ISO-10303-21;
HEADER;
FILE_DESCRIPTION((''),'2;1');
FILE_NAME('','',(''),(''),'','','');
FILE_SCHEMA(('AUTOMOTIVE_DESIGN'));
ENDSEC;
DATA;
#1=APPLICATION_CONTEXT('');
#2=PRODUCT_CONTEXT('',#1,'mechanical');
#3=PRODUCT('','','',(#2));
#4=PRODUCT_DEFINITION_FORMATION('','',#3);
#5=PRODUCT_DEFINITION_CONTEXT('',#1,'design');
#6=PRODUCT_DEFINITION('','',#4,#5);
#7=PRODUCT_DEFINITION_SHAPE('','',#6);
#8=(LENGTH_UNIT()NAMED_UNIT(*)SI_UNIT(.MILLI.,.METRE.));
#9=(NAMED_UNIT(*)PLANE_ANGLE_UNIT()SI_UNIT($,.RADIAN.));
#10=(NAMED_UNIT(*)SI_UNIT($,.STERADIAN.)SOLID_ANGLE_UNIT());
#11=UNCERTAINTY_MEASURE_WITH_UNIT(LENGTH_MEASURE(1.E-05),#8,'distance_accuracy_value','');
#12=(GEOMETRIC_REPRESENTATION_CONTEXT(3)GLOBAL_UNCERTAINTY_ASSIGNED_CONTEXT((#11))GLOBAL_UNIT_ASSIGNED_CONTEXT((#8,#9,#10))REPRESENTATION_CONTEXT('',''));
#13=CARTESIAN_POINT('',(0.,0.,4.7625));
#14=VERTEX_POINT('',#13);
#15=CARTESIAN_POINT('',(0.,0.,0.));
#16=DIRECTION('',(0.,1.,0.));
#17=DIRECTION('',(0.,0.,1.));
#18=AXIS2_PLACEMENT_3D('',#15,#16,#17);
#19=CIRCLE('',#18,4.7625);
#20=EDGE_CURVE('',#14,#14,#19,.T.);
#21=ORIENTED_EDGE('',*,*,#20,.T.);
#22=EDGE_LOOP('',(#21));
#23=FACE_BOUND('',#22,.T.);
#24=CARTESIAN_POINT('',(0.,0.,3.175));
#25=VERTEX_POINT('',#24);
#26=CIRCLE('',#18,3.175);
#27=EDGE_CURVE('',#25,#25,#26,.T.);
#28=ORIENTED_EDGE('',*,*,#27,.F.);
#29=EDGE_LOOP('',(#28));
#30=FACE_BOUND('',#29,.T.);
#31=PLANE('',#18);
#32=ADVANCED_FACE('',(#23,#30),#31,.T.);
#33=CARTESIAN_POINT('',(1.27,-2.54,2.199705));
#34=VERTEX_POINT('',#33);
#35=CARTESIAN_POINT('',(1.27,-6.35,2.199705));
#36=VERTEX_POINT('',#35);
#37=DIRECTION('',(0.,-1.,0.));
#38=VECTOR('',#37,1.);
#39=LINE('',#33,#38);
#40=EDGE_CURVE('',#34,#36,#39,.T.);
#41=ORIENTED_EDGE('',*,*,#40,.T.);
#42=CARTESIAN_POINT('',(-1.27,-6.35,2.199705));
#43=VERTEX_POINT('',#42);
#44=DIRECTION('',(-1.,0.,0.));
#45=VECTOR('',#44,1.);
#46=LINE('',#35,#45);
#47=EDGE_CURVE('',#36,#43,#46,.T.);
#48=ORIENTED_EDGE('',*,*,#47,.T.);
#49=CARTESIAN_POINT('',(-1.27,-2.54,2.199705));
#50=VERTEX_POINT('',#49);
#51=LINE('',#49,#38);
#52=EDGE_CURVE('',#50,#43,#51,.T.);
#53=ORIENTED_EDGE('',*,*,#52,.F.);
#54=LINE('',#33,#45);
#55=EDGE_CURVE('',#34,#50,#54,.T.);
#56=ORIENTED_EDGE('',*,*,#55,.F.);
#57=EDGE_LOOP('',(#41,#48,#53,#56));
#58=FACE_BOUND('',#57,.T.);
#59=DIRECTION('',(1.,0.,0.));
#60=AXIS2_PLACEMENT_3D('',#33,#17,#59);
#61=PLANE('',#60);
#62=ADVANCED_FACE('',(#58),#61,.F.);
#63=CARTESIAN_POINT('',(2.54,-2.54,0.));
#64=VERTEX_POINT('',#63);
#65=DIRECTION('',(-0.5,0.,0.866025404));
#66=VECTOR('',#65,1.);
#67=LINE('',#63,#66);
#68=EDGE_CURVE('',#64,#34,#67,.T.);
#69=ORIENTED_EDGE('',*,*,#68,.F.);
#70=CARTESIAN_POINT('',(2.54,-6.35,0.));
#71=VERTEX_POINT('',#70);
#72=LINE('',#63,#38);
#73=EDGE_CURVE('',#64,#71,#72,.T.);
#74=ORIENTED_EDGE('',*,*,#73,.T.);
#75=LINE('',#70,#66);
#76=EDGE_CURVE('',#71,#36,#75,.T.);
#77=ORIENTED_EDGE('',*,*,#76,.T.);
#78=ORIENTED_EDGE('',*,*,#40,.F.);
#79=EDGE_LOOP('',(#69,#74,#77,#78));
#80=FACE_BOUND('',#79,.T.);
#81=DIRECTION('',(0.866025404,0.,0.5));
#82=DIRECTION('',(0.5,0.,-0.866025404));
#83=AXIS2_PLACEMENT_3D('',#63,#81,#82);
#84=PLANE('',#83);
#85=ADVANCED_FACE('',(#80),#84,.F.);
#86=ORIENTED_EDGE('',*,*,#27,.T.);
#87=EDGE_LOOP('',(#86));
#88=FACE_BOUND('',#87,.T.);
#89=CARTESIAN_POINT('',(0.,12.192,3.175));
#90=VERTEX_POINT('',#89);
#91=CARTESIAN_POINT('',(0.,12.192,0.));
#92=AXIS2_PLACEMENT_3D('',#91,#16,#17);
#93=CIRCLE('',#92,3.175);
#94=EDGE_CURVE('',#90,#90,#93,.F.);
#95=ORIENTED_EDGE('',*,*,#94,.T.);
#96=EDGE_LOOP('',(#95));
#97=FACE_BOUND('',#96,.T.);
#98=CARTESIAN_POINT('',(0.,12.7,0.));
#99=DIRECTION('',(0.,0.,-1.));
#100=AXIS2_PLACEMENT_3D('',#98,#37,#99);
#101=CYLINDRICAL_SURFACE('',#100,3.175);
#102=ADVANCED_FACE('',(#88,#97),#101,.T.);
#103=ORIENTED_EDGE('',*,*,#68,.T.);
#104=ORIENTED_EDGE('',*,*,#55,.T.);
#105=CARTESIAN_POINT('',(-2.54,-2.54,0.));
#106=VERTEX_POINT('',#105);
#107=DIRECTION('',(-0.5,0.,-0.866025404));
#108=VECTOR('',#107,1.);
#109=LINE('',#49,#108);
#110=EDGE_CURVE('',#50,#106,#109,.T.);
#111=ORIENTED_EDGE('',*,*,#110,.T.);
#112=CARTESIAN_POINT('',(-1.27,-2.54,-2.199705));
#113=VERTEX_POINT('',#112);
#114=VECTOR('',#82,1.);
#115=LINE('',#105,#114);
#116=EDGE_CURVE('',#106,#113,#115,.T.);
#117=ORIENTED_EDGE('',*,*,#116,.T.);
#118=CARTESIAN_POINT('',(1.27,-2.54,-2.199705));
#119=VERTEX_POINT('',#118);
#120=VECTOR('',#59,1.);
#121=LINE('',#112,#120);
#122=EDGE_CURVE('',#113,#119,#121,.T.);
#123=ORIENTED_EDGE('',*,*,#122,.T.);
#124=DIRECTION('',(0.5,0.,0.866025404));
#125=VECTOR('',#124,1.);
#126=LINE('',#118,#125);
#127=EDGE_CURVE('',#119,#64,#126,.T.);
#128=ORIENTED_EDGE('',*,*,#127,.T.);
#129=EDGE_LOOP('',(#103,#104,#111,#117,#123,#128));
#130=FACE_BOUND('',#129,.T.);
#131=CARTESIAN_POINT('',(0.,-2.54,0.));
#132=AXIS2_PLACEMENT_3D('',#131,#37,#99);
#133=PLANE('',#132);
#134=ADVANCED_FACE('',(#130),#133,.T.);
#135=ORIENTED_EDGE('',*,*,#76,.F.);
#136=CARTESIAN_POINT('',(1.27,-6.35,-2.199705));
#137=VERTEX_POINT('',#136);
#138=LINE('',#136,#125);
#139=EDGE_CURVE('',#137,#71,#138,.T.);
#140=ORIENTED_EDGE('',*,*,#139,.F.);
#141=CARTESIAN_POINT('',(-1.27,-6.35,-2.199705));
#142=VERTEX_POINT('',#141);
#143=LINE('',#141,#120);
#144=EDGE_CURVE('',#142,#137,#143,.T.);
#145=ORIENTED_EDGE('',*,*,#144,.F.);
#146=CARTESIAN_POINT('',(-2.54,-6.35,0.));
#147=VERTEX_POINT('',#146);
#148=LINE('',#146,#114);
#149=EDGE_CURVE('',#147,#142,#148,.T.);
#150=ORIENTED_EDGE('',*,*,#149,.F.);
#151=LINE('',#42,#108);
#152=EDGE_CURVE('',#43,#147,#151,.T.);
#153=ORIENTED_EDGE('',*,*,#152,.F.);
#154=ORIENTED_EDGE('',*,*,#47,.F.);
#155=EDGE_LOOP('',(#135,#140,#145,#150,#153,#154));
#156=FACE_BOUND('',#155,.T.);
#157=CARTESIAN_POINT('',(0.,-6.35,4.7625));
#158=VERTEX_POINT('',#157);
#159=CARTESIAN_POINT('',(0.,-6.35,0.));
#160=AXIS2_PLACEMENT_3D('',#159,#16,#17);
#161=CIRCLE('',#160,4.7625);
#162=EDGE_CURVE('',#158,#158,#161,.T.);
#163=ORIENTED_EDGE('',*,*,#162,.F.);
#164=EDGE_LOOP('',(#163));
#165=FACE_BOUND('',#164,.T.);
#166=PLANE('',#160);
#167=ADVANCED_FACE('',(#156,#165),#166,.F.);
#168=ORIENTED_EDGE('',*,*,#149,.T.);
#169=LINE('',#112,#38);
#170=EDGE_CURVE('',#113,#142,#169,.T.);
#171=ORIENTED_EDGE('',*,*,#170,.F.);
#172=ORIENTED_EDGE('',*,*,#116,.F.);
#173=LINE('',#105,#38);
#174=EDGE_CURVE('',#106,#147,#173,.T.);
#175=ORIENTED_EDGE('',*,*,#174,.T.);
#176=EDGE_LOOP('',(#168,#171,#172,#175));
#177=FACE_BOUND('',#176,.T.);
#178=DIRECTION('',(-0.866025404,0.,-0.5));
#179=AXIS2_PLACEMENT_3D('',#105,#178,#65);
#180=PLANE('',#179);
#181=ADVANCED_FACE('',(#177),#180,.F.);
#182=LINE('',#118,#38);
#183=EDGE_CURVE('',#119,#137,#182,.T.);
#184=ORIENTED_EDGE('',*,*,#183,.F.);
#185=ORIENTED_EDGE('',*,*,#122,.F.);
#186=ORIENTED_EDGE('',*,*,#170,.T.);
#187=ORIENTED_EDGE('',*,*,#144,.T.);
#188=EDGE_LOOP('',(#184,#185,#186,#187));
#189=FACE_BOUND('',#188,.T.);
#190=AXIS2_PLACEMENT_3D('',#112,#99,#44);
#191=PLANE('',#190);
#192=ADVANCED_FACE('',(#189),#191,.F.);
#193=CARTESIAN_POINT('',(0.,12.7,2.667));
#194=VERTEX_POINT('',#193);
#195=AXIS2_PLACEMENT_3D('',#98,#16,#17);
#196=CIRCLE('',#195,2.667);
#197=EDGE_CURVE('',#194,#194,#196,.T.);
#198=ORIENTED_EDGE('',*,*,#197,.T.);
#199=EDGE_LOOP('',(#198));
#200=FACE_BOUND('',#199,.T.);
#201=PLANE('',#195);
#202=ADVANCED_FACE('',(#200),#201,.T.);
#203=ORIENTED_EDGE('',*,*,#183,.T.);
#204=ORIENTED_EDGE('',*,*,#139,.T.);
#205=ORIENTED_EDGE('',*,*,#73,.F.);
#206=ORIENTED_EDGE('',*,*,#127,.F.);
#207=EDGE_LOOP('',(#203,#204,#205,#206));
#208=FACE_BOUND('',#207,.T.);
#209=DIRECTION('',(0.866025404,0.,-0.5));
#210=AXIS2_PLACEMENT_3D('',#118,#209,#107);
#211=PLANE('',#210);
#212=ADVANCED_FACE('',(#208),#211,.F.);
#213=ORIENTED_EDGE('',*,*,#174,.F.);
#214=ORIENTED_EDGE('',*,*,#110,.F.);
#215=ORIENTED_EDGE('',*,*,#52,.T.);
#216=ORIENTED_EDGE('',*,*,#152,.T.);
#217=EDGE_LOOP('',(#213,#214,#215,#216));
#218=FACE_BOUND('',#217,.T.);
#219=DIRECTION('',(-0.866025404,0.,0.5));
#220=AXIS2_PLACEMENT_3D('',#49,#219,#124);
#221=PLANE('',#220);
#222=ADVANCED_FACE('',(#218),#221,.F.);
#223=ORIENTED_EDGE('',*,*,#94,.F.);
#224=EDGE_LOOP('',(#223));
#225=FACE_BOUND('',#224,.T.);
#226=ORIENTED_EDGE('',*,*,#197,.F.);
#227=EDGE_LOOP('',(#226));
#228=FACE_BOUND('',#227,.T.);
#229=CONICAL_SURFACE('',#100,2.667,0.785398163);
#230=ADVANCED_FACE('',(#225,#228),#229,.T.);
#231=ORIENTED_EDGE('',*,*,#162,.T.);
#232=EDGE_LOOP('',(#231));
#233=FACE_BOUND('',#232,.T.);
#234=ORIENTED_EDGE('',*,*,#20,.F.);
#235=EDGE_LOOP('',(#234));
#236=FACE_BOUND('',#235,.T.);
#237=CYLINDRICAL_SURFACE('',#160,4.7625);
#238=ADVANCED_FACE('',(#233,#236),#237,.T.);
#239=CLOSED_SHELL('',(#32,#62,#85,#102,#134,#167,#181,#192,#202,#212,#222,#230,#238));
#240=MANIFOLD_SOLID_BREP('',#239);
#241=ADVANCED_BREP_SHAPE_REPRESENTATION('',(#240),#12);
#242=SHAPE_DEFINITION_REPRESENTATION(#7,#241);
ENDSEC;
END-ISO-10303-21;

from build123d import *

# Parameters (mm, degrees)
SKETCH1_R           = 4.7625
BOSS_EXTRUDE1_DEPTH = 6.35
SKETCH1_3_R         = 3.175
BOSS_EXTRUDE2_DEPTH = 12.7
CHAMFER1_SIZE       = 0.508
CUT_EXTRUDE1_DEPTH  = 3.81


with BuildPart() as part:
    # Sketch1 → Boss-Extrude1 (new body)
    with BuildSketch(Plane(origin=(0, 0, 0), x_dir=(1, 0, 0), z_dir=(0, 1, 0))):
        Circle(SKETCH1_R)
    extrude(amount=-BOSS_EXTRUDE1_DEPTH)

    # Sketch1<3> → Boss-Extrude2 (add)
    with BuildSketch(Plane(origin=(0, 0, 0), x_dir=(1, 0, 0), z_dir=(0, 1, 0))):
        Circle(SKETCH1_3_R)
    extrude(amount=BOSS_EXTRUDE2_DEPTH)

    # Chamfer1
    chamfer1_edges = [part.edges().sort_by_distance(p)[0] for p in [
        (-3.175, 12.7, 0),
    ]]
    chamfer(chamfer1_edges, length=CHAMFER1_SIZE)

    # Sketch2 → Cut-Extrude1 (cut)
    with BuildSketch(Plane.XZ.offset(6.35)):
        Polygon((1.27, -2.199704526), (2.54, 0), (1.27, 2.199704526), (-1.27, 2.199704526), (-2.54, 0), (-1.27, -2.199704526), align=None)
    extrude(amount=-CUT_EXTRUDE1_DEPTH, mode=Mode.SUBTRACT)


solid = part.part
